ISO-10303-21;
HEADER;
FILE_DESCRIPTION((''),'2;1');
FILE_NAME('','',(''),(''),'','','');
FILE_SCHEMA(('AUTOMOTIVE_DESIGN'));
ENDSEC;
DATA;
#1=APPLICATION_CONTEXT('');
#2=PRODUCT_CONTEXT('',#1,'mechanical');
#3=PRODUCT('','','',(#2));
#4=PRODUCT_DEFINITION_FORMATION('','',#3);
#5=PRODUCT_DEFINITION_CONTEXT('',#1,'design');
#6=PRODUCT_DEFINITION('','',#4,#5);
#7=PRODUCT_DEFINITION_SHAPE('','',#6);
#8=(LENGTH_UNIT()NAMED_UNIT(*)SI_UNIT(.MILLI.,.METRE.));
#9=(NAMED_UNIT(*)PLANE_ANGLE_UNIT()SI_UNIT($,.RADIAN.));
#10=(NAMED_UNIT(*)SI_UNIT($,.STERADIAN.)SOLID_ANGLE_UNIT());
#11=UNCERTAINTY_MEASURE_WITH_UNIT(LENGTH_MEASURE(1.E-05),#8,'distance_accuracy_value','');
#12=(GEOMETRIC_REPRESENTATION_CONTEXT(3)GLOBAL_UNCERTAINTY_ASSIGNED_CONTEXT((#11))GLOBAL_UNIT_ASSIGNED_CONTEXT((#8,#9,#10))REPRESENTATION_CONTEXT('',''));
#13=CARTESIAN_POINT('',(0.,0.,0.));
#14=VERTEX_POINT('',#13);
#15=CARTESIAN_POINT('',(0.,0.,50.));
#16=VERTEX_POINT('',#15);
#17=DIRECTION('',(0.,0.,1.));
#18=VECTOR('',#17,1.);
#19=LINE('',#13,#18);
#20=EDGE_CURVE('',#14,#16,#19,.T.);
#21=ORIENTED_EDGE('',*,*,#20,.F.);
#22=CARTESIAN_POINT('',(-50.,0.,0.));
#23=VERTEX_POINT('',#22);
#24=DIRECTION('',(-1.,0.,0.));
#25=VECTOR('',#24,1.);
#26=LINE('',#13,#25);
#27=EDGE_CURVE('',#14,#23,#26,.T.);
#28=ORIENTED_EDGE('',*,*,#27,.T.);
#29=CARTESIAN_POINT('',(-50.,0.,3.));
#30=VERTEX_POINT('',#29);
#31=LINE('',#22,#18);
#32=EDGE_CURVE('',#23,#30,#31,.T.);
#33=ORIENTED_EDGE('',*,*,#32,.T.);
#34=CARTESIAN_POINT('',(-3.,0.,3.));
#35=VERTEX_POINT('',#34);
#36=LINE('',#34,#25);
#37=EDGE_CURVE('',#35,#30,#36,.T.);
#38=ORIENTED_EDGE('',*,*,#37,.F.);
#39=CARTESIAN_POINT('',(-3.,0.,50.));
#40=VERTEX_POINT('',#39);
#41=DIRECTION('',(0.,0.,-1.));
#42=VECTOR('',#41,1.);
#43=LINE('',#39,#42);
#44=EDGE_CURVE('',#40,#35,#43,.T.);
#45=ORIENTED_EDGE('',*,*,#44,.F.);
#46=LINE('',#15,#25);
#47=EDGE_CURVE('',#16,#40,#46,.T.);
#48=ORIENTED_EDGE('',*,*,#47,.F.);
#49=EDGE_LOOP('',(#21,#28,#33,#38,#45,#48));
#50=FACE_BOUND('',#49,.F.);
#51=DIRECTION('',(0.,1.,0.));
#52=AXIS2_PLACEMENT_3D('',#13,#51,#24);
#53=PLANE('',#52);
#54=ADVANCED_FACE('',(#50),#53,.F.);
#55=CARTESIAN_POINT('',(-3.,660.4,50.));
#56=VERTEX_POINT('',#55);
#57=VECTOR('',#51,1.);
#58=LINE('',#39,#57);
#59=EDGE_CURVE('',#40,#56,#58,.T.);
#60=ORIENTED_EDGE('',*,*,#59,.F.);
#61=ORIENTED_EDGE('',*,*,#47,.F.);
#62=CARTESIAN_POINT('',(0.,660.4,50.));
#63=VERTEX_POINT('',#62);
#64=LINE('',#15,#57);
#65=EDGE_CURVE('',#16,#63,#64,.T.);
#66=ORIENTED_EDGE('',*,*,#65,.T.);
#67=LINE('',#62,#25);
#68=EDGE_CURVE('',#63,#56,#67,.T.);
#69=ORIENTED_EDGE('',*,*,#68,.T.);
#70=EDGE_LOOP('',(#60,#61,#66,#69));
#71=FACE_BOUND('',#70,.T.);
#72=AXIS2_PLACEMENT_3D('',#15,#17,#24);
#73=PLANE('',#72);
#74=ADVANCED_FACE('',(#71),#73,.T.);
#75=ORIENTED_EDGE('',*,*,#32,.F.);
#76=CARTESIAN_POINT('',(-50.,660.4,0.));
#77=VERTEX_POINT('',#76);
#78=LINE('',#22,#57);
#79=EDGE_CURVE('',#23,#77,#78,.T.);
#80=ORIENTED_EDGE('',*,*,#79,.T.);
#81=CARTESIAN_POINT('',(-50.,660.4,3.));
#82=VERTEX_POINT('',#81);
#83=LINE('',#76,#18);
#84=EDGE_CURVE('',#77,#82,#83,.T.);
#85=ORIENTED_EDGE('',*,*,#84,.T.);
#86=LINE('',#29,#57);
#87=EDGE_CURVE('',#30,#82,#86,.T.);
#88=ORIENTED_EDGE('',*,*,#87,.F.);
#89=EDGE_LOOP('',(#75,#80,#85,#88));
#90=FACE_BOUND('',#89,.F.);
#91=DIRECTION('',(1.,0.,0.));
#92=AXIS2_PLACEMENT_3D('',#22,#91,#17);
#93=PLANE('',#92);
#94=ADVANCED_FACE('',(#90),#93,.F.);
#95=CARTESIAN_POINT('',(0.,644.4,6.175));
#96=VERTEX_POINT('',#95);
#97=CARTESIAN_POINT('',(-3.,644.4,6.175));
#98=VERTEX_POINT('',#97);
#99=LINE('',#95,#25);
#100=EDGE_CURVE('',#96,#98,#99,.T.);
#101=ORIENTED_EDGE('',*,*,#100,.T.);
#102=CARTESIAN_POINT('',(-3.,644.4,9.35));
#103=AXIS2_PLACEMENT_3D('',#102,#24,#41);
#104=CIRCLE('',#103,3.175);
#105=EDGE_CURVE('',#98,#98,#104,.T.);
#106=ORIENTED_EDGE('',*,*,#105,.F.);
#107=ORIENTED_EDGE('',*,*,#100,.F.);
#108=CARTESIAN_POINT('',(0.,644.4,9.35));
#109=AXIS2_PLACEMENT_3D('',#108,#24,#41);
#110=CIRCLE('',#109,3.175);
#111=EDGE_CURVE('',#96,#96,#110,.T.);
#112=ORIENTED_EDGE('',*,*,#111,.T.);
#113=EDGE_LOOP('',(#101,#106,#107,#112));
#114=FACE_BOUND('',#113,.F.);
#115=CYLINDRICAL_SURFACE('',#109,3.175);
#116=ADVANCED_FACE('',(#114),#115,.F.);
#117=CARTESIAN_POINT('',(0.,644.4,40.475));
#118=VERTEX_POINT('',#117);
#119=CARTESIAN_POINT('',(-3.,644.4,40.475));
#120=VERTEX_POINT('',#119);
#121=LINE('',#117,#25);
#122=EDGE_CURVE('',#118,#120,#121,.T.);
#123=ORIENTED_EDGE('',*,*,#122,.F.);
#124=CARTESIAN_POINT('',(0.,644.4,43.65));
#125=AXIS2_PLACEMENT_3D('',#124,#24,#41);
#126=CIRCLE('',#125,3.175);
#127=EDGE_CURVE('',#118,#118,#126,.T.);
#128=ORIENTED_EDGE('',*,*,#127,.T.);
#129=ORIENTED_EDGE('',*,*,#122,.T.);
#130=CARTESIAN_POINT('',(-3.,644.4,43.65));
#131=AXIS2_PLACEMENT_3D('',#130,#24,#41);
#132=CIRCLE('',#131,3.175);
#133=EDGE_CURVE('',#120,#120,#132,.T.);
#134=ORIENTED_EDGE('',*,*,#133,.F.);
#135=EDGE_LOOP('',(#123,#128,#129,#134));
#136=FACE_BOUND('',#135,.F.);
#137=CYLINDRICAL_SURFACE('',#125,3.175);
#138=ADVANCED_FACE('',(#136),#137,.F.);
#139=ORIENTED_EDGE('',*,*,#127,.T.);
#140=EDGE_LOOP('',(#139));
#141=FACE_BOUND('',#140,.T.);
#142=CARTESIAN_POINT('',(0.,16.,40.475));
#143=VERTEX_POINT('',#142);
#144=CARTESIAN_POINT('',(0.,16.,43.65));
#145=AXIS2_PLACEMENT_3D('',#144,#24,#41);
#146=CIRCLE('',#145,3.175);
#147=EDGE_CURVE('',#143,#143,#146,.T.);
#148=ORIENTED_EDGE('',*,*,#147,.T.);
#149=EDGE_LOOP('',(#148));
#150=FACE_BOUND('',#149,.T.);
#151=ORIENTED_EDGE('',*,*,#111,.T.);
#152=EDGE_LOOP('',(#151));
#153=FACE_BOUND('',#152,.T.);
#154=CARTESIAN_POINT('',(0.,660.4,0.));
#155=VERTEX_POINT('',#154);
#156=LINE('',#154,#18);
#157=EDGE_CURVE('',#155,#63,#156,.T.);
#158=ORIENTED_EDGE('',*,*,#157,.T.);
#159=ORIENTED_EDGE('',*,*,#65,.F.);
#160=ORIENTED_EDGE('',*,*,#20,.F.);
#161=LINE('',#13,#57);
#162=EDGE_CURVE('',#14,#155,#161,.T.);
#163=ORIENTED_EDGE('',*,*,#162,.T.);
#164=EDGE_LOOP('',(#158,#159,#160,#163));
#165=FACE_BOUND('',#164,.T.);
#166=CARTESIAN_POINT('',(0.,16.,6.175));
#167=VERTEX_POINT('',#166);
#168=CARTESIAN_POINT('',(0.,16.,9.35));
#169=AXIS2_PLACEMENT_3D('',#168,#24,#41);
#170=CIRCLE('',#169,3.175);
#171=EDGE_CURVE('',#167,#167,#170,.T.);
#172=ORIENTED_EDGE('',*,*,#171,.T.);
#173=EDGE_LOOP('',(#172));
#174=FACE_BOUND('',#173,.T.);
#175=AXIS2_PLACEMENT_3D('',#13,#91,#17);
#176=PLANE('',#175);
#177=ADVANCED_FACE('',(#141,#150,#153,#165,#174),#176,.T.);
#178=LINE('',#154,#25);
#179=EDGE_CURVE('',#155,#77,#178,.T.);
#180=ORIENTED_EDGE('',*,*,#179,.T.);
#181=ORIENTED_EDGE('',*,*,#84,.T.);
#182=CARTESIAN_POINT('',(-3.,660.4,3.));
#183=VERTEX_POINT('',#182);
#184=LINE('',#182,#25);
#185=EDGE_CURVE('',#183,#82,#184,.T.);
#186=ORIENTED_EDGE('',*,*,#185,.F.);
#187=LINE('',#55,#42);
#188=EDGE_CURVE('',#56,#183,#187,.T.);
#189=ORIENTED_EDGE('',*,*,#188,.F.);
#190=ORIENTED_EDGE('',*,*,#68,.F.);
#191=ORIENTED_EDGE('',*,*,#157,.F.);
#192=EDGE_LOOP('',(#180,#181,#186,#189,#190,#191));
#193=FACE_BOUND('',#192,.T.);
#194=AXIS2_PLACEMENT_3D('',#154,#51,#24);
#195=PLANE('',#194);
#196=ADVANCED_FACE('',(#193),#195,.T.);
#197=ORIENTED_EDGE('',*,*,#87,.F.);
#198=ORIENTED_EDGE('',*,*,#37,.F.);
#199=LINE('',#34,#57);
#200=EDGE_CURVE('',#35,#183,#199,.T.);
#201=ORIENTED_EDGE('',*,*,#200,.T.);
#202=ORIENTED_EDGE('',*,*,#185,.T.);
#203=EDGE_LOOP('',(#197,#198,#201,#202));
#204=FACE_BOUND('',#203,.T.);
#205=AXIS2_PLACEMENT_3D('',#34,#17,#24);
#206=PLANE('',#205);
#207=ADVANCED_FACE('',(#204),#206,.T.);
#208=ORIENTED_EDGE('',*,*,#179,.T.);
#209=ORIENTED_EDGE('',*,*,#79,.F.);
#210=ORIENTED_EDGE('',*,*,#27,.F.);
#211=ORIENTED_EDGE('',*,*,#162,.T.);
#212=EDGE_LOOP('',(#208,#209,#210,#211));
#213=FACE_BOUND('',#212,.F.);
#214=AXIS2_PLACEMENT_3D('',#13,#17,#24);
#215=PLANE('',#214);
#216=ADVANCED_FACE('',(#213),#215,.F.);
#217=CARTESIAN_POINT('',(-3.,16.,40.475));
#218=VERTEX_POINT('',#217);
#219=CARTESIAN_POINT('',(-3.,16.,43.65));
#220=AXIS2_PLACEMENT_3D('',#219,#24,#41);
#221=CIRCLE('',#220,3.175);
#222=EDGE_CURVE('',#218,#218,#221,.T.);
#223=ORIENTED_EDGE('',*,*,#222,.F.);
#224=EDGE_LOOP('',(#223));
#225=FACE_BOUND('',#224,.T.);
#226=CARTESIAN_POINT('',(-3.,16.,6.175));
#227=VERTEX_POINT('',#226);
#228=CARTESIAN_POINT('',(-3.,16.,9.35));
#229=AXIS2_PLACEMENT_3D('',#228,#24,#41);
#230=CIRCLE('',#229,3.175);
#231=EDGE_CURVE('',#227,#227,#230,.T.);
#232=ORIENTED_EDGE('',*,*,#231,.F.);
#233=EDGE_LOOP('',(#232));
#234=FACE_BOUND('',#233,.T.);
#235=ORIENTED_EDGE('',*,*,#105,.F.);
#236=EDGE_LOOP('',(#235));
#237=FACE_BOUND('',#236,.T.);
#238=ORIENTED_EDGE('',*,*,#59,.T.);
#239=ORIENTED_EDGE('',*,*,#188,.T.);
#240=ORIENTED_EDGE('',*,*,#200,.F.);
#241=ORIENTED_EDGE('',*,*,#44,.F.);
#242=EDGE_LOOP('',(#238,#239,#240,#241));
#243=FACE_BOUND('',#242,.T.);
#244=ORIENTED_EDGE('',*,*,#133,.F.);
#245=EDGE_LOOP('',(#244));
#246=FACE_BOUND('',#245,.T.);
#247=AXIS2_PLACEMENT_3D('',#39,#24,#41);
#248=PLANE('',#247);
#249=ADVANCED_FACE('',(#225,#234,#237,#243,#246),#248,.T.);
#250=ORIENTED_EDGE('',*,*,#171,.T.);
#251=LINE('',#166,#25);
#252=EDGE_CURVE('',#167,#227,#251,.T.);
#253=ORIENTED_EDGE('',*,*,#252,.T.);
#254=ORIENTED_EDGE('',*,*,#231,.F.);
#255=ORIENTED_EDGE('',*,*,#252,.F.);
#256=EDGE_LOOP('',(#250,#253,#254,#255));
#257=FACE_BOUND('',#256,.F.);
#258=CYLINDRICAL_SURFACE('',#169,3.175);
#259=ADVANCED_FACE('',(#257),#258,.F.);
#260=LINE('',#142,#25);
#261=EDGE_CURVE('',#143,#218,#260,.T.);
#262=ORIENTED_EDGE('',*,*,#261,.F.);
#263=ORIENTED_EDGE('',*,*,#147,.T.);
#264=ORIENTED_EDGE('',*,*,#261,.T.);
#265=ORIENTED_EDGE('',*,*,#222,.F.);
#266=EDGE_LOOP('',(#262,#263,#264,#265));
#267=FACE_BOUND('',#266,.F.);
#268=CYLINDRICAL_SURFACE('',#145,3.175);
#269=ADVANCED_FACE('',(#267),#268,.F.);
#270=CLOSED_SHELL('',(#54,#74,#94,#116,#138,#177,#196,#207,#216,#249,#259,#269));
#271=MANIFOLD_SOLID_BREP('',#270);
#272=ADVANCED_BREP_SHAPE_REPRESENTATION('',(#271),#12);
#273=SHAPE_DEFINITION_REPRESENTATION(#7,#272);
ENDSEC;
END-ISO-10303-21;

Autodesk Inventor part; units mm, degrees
ref_plane "YZ Plane" through (0, 0, 0) normal (1, 0, 0) x (0, 1, 0)
ref_plane "XZ Plane" through (0, 0, 0) normal (0, 1, 0) x (-1, 0, 0)
ref_plane "XY Plane" through (0, 0, 0) normal (0, 0, 1) x (1, 0, 0)
sketch "Sketch1" plane through (0, 0, 0) normal (0, 1, 0) x (-1, 0, 0)
  line L0 (0, 0) -> (50, 0)
  line L1 (50, 0) -> (50, 3)
  line L2 (0, 0) -> (0, 50)
  line L3 (0, 50) -> (3, 50)
  line L4 (3, 50) -> (3, 3)
  line L5 (3, 3) -> (50, 3)
  dimension "d0" = 50
  dimension "d1" = 3
  dimension "d2" = 50
  dimension "d3" = 3
extrude "Extrusion1" add sketch "Sketch1" along normal blind 660.4
sketch "Sketch7" plane through (0, 0, 50) normal (1, 0, 0) x (0, 0, -1)
  line L0 (0, 0) -> (50, 0) projected
  line L1 (50, 0) -> (50, 660.4) projected
  line L2 (0, 660.4) -> (50, 660.4) projected
  line L3 (0, 0) -> (0, 660.4) projected
  circle A0 centre (6.35, 16) radius 3.175
  circle A1 centre (40.65, 16) radius 3.175
  circle A2 centre (6.35, 644.4) radius 3.175
  circle A3 centre (40.65, 644.4) radius 3.175
  line L4 (47, 0) -> (47, 660.4) construction
  dimension "d80" = 16
  dimension "d82" = 6.35
  dimension "d83" = 6.35
  dimension "d84" = 6.35
  dimension "d85" = 6.35
  dimension "d86" = 6.35
  dimension "d88" = 6.35
  dimension "d89" = 16
  dimension "d97" = 3
  dimension "d98" = 6.35
hole "Hole1" at (0, 16, 43.65) at (0, 16, 9.35) at (0, 644.4, 43.65) at (0, 644.4, 9.35) direction (-1, 0, 0) diameter 6.35 depth 3 tip angle 118
equation "\"d84\" = d83"
equation "\"d85\" = d83"
equation "\"d86\" = d83"
properties part number "26in Angle Channel CIM Mount Right" material "Aluminum 6061"
